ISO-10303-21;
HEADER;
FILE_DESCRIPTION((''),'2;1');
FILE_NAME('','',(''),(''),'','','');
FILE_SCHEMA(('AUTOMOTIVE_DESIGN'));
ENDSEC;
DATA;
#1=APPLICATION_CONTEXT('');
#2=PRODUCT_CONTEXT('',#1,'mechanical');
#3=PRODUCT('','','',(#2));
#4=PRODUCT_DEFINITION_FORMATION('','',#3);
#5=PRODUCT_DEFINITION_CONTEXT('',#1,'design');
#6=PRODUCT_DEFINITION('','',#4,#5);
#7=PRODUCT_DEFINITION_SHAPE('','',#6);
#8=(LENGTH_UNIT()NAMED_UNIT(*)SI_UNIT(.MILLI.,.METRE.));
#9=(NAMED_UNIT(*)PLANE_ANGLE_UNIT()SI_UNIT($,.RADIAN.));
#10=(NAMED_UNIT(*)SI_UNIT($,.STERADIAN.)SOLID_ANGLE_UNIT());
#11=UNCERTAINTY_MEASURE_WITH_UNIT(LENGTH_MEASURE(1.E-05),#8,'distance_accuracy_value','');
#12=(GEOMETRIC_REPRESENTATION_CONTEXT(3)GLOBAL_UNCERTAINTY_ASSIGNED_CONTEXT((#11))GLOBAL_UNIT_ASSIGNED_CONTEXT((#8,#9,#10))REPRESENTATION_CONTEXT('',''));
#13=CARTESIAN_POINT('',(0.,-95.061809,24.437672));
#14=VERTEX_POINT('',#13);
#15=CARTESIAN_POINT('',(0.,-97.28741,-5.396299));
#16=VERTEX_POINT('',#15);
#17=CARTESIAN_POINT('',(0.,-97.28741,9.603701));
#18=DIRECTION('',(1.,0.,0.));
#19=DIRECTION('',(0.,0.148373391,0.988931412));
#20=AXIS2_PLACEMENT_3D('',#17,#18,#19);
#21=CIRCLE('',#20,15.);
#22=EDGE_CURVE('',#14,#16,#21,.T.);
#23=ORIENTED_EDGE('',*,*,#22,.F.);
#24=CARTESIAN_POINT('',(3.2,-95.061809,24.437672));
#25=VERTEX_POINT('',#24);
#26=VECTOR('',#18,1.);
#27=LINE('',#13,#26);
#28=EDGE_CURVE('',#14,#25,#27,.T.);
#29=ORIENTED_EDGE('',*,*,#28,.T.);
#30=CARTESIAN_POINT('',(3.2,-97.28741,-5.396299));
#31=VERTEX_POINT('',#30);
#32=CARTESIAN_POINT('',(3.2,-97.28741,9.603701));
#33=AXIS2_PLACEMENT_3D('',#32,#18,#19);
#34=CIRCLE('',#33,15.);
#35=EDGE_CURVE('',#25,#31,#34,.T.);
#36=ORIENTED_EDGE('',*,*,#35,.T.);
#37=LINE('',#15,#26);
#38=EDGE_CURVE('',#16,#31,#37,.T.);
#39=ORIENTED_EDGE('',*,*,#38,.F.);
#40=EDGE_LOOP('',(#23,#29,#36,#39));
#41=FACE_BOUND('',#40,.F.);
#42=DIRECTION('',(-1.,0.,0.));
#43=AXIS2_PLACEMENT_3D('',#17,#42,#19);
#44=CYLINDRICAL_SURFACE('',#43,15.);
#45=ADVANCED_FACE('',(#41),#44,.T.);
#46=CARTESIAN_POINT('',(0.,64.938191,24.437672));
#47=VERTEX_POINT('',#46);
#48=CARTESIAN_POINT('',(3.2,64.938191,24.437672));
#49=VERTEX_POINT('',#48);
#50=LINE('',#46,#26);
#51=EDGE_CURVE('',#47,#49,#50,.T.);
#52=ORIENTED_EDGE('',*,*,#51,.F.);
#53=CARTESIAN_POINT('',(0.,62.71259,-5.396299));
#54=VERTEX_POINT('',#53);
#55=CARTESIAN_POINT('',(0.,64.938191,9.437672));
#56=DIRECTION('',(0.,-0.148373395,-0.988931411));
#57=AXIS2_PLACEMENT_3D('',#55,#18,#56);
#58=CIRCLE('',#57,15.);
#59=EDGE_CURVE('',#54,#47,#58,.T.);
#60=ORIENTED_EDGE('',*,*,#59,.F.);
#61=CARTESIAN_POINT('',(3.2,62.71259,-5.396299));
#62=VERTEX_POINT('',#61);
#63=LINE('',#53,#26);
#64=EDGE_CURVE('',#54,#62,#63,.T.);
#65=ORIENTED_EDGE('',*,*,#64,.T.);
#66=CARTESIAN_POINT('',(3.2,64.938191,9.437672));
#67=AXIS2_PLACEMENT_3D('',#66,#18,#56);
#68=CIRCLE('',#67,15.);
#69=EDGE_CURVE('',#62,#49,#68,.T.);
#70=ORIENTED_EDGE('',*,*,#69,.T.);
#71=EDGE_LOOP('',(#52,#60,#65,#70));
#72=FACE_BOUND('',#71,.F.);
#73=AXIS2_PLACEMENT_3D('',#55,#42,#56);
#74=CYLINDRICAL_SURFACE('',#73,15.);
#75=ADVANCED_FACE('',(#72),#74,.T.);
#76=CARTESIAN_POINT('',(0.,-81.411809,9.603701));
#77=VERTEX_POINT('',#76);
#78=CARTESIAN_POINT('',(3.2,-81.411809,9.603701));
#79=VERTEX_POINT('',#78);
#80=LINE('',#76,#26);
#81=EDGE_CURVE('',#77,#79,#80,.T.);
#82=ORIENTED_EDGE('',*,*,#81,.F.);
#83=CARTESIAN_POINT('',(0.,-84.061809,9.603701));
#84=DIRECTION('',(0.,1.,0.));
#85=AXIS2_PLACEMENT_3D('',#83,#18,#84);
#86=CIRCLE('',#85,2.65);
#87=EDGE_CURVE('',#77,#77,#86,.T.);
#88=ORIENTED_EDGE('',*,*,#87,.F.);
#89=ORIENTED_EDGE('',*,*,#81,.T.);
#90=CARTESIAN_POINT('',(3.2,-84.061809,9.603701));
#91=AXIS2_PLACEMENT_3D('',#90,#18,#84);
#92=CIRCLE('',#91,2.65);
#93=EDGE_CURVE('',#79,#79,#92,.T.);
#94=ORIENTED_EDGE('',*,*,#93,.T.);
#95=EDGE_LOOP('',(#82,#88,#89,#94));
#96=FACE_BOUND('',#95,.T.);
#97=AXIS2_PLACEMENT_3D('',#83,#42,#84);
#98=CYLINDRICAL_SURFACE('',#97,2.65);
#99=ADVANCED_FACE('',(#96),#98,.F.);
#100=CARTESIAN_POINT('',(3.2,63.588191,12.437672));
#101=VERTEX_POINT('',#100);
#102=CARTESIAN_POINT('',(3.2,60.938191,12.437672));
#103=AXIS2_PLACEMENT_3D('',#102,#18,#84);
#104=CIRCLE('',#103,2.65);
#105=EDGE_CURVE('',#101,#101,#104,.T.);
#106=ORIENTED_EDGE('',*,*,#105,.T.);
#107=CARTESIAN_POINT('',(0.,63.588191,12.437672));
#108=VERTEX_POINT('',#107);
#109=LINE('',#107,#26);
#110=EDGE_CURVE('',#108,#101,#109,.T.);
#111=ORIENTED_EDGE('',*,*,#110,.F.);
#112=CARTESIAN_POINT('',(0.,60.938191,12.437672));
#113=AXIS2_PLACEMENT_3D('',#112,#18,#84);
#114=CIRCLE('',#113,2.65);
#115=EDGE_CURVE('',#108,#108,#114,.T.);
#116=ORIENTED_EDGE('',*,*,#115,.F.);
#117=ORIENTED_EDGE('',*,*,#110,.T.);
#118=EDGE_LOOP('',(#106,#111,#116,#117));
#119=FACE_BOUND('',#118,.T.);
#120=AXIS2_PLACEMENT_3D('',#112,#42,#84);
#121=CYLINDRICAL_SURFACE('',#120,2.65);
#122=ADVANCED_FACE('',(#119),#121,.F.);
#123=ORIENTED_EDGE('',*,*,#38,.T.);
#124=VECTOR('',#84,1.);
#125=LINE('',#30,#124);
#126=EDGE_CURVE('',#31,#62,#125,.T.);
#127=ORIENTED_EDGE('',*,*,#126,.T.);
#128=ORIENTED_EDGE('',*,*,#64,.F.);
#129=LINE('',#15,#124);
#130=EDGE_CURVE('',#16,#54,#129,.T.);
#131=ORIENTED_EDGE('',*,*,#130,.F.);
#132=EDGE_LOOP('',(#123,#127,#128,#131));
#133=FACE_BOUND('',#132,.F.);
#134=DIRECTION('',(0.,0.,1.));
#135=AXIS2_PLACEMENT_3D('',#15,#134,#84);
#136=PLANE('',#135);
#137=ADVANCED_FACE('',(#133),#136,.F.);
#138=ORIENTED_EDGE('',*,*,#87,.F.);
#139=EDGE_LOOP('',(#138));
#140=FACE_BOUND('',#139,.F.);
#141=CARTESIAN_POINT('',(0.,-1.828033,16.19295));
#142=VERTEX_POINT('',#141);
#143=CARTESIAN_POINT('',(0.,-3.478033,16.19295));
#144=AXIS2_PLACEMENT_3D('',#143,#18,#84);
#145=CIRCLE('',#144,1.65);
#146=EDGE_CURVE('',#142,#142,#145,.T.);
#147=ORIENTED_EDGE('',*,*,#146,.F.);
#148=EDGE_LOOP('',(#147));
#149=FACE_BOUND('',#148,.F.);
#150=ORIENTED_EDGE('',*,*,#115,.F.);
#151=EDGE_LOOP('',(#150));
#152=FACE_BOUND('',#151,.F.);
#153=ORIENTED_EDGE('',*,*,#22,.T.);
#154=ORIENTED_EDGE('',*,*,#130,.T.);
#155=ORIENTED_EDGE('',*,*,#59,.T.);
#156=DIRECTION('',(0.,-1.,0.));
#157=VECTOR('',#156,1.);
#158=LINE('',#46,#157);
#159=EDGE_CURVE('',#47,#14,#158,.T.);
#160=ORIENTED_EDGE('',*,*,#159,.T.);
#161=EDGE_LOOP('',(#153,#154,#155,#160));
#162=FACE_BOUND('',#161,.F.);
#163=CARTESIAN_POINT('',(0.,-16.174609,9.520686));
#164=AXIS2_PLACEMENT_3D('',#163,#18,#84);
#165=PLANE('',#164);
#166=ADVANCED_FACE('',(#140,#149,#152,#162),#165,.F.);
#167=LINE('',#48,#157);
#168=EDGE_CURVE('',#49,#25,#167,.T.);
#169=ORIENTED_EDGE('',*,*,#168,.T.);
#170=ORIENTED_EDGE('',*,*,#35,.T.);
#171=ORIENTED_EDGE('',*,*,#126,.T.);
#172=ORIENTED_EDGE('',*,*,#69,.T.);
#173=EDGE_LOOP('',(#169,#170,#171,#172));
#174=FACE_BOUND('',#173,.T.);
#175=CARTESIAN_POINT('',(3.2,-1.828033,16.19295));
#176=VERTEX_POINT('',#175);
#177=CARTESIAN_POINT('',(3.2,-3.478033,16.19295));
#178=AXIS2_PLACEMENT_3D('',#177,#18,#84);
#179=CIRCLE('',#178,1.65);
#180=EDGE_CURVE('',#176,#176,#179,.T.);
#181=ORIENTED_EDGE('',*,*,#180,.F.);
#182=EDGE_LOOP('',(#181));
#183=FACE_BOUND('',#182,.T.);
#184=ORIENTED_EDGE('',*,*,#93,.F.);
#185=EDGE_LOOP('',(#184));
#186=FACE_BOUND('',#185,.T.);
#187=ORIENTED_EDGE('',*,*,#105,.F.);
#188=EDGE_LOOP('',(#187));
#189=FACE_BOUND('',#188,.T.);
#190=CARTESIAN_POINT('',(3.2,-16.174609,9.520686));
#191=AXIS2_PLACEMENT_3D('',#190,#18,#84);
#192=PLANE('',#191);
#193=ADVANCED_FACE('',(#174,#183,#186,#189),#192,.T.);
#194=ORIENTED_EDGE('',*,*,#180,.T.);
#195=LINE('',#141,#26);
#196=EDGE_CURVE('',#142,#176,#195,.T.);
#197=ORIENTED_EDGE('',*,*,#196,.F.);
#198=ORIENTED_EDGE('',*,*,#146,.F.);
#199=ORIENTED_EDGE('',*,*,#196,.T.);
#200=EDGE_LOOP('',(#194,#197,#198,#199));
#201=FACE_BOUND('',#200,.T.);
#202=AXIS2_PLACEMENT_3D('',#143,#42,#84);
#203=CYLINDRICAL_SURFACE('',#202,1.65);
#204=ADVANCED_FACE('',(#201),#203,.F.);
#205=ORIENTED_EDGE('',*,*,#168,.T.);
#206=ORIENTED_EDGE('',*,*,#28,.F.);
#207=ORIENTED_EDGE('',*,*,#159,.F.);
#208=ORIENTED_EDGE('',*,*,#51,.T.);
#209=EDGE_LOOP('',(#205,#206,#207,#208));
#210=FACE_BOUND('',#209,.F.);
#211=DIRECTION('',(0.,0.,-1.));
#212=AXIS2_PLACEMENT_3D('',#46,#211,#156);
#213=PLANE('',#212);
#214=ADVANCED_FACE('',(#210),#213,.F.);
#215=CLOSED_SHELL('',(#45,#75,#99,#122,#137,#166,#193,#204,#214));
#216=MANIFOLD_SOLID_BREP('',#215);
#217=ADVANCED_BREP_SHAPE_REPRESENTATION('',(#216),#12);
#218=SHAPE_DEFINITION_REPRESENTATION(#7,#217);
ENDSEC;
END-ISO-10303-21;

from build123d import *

# Parameters (mm, degrees)
F0_R     = 2.65
F0_R_2   = 1.65
F1_DEPTH = 3.2


with BuildPart() as f1:
    # F0 (on Right) → F1 (new body)
    with BuildSketch(Plane.YZ):
        with BuildLine():
            Line((64.938191, 24.437672), (-95.061809, 24.437672))
            ThreePointArc((-95.061809, 24.437672), (-112.245845, 10.719593), (-97.28741, -5.396299))
            Line((-97.28741, -5.396299), (62.71259, -5.396299))
            ThreePointArc((62.71259, -5.396299), (79.896626, 8.321779), (64.938191, 24.437672))
        make_face()
        with Locations((-84.061809, 9.603701)):
            Circle(F0_R, mode=Mode.SUBTRACT)
        with Locations((-3.478033, 16.19295)):
            Circle(F0_R_2, mode=Mode.SUBTRACT)
        with Locations((60.938191, 12.437672)):
            Circle(F0_R, mode=Mode.SUBTRACT)
    extrude(amount=F1_DEPTH)


solid = f1.part
